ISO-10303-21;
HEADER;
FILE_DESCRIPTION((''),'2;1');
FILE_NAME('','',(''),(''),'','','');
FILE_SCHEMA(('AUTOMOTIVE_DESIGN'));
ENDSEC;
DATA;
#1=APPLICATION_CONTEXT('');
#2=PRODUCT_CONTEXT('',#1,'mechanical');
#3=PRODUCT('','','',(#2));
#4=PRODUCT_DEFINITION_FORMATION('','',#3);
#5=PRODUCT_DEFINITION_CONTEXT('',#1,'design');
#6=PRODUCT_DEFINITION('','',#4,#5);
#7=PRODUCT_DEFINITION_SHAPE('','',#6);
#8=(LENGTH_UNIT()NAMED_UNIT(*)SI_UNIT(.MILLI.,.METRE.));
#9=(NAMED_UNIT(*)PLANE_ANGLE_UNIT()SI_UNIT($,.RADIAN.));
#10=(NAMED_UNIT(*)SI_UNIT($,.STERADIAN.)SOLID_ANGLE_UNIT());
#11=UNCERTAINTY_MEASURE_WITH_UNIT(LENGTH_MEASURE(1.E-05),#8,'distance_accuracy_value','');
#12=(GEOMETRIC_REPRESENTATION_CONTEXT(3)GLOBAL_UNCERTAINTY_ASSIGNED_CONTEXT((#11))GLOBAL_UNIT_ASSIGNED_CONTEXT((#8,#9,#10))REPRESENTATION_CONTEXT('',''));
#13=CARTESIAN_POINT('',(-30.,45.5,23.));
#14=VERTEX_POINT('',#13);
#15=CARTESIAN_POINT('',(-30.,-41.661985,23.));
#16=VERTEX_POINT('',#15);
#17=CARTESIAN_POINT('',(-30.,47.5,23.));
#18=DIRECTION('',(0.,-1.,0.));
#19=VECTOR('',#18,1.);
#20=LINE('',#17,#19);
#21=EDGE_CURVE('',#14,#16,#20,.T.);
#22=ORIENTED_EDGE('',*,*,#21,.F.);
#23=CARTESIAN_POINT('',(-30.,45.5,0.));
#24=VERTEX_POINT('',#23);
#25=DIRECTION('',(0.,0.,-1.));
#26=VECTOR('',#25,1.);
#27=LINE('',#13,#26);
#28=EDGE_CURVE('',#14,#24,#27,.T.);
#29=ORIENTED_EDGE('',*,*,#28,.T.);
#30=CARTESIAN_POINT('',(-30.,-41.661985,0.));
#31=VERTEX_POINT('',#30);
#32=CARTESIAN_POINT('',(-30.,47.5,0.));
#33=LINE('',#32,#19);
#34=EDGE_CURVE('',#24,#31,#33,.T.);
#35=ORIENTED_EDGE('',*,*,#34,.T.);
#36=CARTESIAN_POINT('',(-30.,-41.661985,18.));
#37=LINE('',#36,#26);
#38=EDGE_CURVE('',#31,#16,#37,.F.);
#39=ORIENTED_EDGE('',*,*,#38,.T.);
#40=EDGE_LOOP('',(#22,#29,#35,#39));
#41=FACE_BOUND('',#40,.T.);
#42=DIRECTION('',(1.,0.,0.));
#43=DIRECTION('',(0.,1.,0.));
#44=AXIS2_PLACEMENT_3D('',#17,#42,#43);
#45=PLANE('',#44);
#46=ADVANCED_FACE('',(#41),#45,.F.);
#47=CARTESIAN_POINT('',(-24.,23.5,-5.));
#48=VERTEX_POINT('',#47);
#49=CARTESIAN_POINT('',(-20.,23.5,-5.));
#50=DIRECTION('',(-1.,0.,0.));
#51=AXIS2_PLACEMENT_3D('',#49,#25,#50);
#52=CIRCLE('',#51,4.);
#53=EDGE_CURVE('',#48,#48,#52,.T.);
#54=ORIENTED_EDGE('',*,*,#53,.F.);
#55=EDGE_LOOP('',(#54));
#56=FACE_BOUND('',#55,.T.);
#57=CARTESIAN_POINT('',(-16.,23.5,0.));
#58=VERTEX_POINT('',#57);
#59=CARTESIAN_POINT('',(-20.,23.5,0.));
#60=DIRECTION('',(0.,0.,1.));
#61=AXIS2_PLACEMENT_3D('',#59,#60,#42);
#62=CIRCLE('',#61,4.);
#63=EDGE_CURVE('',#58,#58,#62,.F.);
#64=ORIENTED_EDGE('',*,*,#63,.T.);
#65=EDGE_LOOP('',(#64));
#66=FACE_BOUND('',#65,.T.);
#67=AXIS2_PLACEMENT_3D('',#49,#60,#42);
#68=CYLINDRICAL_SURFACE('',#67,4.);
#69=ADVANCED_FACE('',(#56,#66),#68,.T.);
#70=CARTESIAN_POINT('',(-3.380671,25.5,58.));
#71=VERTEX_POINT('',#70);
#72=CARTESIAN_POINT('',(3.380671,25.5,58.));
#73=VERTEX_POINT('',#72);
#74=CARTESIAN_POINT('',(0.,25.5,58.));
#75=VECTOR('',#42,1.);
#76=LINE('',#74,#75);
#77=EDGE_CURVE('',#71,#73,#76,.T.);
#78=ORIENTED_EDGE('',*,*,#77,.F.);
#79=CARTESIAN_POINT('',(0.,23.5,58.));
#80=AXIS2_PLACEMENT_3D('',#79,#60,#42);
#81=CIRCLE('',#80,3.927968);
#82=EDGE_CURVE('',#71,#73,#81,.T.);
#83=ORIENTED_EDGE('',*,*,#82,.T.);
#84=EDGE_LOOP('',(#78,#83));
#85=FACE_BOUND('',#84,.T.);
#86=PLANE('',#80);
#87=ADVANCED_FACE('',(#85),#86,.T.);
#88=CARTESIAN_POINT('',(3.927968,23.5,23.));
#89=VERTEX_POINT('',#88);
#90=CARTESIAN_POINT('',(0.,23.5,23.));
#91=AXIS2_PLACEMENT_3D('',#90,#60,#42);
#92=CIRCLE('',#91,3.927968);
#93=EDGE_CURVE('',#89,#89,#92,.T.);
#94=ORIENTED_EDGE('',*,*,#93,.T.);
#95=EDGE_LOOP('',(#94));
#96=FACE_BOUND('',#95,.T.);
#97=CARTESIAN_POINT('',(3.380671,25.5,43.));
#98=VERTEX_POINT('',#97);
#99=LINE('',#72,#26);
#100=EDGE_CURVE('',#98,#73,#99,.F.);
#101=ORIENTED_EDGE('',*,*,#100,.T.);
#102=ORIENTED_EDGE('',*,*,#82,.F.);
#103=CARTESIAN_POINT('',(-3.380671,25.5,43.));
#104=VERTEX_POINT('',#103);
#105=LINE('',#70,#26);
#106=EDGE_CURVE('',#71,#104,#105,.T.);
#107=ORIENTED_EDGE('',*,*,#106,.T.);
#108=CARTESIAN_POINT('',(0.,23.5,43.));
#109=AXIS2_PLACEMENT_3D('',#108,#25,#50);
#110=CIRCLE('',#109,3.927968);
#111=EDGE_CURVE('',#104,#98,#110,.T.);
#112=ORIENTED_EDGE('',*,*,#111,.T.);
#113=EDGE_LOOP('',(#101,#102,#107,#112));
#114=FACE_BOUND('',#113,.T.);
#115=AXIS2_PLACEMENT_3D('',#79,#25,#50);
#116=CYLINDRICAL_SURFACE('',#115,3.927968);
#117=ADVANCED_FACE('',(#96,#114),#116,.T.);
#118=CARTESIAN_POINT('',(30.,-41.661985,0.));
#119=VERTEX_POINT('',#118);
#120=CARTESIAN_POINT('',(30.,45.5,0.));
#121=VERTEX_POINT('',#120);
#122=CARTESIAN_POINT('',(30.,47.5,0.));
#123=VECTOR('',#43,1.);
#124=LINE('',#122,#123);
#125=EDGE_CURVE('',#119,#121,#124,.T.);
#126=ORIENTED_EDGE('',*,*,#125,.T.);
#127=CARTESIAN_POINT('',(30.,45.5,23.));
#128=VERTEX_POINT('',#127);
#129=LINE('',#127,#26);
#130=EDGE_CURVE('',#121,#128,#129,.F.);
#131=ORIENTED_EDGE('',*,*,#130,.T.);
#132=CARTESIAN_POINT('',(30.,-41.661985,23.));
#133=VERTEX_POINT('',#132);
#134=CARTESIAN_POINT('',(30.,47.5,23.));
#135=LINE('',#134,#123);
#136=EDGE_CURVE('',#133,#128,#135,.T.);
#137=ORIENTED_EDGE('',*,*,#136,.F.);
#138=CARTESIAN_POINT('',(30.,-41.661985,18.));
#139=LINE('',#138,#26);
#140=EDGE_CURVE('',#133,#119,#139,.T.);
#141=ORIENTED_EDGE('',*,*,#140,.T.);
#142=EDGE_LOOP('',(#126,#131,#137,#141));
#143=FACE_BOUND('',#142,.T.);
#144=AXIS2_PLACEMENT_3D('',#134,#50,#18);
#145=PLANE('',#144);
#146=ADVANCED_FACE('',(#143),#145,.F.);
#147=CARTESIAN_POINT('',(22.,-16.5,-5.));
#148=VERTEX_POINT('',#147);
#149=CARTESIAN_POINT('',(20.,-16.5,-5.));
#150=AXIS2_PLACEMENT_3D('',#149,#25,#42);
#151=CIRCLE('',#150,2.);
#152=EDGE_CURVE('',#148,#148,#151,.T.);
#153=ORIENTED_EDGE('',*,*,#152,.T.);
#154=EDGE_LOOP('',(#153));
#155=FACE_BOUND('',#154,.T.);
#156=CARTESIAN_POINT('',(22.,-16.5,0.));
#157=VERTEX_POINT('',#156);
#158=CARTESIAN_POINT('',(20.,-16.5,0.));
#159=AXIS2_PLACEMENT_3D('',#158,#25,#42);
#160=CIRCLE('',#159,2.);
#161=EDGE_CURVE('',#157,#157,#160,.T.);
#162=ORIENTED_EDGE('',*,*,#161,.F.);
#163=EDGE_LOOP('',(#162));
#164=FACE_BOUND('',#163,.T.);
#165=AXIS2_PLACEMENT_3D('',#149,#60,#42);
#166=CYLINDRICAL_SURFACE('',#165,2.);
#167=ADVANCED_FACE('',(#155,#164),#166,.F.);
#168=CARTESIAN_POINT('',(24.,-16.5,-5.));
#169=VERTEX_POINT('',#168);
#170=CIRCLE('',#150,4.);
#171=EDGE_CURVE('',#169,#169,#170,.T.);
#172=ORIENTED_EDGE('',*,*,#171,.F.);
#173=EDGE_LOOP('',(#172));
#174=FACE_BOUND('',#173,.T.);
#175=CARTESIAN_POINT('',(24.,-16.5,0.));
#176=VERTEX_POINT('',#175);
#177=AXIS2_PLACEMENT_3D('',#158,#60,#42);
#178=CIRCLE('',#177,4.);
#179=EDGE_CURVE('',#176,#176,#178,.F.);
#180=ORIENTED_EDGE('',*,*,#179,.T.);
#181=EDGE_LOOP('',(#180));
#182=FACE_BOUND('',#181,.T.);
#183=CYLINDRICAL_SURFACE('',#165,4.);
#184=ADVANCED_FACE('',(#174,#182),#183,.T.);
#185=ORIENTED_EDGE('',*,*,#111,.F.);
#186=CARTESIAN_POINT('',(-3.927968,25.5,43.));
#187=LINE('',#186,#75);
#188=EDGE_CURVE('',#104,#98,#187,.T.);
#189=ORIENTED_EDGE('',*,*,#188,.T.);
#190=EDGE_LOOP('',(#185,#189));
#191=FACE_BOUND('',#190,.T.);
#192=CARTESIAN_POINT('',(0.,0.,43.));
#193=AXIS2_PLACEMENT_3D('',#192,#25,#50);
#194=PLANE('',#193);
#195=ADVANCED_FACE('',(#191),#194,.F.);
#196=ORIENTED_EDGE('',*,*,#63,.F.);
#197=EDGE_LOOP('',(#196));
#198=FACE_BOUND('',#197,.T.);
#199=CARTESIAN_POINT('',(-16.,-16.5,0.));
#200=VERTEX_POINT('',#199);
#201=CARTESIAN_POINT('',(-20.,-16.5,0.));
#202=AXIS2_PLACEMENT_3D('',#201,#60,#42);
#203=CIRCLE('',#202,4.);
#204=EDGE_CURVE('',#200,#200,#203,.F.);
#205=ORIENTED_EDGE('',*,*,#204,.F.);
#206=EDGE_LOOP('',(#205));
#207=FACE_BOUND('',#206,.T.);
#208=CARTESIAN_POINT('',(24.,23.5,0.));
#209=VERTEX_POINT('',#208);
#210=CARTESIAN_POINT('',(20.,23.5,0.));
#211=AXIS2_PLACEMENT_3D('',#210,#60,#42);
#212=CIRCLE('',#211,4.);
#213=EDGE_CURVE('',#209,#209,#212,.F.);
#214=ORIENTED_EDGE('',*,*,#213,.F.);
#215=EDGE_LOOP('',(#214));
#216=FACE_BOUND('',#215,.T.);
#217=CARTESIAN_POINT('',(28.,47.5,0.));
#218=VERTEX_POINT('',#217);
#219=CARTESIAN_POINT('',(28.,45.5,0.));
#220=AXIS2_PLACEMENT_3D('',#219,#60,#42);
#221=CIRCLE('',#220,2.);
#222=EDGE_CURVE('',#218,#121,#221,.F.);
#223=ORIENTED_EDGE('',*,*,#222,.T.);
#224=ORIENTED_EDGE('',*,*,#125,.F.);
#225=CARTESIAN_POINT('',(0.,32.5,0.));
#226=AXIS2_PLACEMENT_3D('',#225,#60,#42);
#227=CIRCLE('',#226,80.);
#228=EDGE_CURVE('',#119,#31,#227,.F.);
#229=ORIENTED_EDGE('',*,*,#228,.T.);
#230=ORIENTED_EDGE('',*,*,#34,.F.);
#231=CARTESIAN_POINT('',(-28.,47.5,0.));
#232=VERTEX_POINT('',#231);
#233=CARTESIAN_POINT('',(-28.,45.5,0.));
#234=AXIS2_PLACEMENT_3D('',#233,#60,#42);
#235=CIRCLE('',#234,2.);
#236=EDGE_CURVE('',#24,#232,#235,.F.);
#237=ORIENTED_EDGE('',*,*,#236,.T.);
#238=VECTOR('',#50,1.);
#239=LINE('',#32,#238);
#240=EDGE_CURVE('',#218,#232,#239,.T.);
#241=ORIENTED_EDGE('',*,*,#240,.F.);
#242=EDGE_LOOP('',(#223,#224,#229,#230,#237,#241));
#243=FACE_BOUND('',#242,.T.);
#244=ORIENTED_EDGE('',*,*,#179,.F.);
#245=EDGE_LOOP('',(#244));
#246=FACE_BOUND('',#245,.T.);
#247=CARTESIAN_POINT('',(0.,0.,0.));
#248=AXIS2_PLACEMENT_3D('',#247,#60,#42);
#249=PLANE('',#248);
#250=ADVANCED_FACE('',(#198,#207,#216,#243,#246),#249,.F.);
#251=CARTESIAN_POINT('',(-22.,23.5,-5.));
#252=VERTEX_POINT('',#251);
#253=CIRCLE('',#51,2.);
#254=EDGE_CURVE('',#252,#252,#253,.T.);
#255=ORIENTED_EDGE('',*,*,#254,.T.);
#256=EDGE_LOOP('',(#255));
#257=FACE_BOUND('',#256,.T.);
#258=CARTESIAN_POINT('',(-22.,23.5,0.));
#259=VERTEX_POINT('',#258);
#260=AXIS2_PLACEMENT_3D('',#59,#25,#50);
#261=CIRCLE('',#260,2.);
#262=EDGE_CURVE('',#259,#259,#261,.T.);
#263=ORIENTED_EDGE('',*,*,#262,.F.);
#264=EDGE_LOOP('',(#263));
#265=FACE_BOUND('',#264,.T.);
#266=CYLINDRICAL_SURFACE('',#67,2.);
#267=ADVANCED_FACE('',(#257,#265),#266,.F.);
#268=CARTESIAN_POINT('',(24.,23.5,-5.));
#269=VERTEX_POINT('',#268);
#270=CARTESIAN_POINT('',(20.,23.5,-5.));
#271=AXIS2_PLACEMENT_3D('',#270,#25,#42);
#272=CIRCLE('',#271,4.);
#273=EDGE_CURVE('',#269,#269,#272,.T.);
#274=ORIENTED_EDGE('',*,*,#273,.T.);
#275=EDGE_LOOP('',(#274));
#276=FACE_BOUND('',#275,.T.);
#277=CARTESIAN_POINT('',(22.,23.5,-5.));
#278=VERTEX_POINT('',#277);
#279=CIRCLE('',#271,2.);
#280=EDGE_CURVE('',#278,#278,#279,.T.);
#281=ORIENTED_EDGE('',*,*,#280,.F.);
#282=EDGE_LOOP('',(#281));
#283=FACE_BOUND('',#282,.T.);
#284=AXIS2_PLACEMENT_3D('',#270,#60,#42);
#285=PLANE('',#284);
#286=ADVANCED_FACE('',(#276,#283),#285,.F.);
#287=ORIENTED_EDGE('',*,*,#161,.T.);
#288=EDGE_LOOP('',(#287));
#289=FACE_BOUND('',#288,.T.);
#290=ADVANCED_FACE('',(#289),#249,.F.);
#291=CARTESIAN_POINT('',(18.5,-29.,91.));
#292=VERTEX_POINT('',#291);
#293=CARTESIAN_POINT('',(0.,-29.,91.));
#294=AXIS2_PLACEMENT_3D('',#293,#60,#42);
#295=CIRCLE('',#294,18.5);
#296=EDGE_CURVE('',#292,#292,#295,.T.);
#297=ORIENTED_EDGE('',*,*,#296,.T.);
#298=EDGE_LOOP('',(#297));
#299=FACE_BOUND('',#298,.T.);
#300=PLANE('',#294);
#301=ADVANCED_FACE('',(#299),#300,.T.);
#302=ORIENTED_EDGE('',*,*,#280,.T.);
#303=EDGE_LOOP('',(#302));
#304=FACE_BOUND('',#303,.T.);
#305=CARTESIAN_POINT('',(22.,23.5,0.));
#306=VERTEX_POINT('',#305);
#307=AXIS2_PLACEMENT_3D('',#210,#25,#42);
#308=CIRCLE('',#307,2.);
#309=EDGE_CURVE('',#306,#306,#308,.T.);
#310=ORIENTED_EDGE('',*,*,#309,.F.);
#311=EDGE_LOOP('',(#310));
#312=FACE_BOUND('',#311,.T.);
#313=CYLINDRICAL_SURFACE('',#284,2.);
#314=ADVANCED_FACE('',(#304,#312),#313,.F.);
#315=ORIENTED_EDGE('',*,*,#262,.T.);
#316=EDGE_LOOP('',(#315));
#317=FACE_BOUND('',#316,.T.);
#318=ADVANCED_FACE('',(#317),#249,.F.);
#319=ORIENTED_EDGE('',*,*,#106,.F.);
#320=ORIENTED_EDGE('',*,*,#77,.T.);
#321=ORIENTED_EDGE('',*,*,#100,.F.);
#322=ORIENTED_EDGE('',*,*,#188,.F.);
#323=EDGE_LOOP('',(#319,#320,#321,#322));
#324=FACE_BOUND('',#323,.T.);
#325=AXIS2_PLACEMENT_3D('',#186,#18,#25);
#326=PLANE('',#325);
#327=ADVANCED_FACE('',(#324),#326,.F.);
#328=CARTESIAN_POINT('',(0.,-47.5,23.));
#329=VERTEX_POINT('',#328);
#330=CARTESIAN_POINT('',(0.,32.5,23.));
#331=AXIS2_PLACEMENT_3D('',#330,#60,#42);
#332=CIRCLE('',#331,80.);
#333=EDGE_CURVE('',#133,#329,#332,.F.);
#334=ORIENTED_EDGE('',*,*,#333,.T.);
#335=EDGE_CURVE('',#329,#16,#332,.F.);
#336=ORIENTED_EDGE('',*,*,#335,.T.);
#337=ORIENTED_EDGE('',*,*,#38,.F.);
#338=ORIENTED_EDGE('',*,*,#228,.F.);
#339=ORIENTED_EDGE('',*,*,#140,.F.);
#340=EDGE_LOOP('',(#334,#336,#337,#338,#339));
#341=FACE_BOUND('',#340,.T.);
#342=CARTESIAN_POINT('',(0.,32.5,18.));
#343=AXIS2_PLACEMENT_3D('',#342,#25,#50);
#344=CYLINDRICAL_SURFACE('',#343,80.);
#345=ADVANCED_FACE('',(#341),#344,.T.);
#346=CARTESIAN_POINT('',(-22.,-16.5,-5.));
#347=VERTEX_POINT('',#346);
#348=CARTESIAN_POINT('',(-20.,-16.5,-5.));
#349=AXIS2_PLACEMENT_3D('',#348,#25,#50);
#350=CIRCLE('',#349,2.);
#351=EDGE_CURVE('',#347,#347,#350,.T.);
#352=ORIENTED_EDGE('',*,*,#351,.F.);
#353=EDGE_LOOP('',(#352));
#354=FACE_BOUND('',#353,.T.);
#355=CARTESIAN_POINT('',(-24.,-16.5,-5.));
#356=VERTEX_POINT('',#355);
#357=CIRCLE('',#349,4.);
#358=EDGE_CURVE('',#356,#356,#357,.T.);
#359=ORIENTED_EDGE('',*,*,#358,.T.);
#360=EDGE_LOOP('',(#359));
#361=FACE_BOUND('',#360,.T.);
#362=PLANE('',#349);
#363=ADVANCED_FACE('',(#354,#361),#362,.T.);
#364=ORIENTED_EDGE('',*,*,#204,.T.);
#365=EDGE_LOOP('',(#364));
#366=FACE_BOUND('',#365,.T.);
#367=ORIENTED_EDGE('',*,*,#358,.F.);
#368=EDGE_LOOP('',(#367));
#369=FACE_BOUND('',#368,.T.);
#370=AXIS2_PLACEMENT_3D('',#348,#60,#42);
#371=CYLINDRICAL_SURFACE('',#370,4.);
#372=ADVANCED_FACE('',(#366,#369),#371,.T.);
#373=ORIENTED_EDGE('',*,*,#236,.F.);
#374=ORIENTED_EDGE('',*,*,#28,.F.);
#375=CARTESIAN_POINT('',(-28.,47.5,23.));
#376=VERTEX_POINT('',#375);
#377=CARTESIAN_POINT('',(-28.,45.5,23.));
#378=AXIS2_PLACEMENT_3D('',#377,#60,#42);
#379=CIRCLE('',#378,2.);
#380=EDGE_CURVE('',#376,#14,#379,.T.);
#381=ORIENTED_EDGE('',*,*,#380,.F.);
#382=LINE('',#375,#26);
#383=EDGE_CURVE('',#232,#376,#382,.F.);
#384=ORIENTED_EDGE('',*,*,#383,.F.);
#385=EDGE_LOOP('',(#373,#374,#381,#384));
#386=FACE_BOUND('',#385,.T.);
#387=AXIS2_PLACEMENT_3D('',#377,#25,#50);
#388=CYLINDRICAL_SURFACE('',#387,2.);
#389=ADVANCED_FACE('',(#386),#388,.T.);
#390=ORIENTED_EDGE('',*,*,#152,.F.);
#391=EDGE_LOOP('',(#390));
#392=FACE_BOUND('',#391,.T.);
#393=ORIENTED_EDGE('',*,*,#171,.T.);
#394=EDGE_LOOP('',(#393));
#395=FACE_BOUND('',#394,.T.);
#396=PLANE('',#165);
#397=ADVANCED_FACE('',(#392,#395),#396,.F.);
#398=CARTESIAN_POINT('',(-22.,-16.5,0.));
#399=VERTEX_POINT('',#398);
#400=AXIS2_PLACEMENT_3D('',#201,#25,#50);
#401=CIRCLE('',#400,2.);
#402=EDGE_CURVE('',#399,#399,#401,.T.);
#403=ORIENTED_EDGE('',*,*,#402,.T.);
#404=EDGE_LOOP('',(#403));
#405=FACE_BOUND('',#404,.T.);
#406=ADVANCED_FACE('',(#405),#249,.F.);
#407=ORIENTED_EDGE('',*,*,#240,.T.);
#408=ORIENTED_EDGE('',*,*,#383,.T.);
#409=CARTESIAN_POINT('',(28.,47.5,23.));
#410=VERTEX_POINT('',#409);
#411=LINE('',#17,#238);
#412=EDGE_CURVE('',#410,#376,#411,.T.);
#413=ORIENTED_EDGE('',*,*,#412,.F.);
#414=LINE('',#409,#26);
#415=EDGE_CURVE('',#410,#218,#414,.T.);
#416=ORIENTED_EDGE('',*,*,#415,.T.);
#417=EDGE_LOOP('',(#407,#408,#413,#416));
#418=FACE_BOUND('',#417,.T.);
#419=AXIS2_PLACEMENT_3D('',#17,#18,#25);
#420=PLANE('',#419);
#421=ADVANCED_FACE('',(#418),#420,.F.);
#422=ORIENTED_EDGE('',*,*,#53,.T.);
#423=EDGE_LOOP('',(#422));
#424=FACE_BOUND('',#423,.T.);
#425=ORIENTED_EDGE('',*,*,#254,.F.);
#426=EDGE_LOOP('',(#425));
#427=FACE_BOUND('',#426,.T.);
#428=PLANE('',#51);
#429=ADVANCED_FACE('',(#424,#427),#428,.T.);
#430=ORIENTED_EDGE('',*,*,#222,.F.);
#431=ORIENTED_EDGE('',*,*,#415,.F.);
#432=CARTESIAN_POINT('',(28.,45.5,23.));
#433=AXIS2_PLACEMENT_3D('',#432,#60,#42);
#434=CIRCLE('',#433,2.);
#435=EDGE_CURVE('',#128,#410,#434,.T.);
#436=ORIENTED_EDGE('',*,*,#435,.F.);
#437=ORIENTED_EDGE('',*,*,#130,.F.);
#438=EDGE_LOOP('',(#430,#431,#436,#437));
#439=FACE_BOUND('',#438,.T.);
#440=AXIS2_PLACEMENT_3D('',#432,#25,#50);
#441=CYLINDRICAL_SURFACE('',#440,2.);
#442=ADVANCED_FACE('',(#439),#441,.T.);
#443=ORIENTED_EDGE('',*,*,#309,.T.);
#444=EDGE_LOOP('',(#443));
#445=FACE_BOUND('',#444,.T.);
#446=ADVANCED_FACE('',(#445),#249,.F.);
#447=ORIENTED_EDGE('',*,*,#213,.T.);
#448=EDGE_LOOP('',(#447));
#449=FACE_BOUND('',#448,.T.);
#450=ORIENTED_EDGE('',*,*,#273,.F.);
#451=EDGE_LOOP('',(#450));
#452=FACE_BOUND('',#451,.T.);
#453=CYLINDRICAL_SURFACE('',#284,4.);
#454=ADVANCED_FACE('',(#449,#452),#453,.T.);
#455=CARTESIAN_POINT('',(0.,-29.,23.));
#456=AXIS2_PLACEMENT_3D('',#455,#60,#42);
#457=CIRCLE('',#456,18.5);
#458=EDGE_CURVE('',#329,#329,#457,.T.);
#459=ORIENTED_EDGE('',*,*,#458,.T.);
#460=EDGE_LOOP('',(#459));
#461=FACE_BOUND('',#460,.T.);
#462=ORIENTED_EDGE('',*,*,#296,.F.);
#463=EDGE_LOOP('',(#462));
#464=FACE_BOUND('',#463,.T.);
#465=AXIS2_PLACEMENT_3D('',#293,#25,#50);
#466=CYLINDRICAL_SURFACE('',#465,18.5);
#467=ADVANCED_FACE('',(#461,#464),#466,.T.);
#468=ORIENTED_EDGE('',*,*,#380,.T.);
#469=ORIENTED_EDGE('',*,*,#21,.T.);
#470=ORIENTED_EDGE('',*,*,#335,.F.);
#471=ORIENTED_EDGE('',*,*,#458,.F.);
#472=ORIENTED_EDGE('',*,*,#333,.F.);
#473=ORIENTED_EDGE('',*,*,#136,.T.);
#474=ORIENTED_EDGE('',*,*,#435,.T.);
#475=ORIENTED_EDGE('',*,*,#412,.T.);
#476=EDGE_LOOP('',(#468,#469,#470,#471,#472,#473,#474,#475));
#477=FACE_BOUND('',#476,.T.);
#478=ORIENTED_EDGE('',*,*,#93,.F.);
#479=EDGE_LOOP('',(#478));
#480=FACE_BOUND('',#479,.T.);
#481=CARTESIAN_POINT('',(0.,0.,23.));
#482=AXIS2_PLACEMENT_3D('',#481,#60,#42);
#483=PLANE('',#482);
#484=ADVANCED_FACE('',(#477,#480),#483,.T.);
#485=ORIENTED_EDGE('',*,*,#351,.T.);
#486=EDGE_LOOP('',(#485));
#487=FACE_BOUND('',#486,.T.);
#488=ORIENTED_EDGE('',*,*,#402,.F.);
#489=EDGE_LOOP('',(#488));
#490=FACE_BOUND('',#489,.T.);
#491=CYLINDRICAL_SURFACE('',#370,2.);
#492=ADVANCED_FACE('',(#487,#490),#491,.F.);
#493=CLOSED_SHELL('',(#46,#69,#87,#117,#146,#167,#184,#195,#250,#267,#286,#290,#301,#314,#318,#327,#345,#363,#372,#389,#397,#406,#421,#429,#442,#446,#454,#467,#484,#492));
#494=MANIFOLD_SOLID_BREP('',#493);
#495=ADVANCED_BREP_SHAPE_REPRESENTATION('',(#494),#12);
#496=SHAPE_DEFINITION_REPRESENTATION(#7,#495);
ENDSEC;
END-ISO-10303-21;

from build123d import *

# Parameters (mm, degrees)
SKETCH_3_W          = 60
SKETCH_3_H          = 95
EXTRUDE_1_DEPTH     = 23
SKETCH_4_R          = 18.5
EXTRUDE_2_DEPTH     = 68
SKETCH_5_R          = 3.927968391
EXTRUDE_3_DEPTH     = 35
CUT_EXTRUDE_4_DEPTH = 15
SKETCH_7_R          = 4
SKETCH_7_R_2        = 2
EXTRUDE_5_DEPTH     = 5
FILLET_1_R          = 2
FILLET_2_R          = 2
CUT_EXTRUDE_5_DEPTH = 18
CUT_EXTRUDE_6_DEPTH = 50


with BuildPart() as part:
    # 草图3 → 凸台-拉伸1 (new body)
    with BuildSketch(Plane.XY):
        Rectangle(SKETCH_3_W, SKETCH_3_H)
    extrude(amount=EXTRUDE_1_DEPTH)

    # 草图4 → 凸台-拉伸2 (add)
    with BuildSketch(Plane.XY.offset(23)):
        with Locations((0, -29)):
            Circle(SKETCH_4_R)
    extrude(amount=EXTRUDE_2_DEPTH)

    # 草图5 → 凸台-拉伸3 (add)
    with BuildSketch(Plane.XY.offset(23)):
        with Locations((0, 23.5)):
            Circle(SKETCH_5_R)
    extrude(amount=EXTRUDE_3_DEPTH)

    # 草图6 → 切除-拉伸4 (cut)
    with BuildSketch(Plane.XY.offset(58)):
        Polygon((-3.927968391, 25.5), (3.927968391, 25.5), (-0.421673312, 30.850225799), align=None)
    extrude(amount=-CUT_EXTRUDE_4_DEPTH, mode=Mode.SUBTRACT)

    # 草图7 → 凸台-拉伸5 (add)
    # profile 1 of 4: a face of its own
    with BuildSketch(Plane(origin=(0, 0, 0), x_dir=(-1, 0, 0), z_dir=(0, 0, -1))):
        with Locations((20, 23.5)):
            Circle(SKETCH_7_R)
        with Locations((20, 23.5)):
            Circle(SKETCH_7_R_2, mode=Mode.SUBTRACT)
    # profile 2 of 4: a face of its own
    with BuildSketch(Plane(origin=(0, 0, 0), x_dir=(-1, 0, 0), z_dir=(0, 0, -1))):
        with Locations((-20, 23.5)):
            Circle(SKETCH_7_R)
        with Locations((-20, 23.5)):
            Circle(SKETCH_7_R_2, mode=Mode.SUBTRACT)
    # profile 3 of 4: a face of its own
    with BuildSketch(Plane(origin=(0, 0, 0), x_dir=(-1, 0, 0), z_dir=(0, 0, -1))):
        with Locations((20, -16.5)):
            Circle(SKETCH_7_R)
        with Locations((20, -16.5)):
            Circle(SKETCH_7_R_2, mode=Mode.SUBTRACT)
    # profile 4 of 4: a face of its own
    with BuildSketch(Plane(origin=(0, 0, 0), x_dir=(-1, 0, 0), z_dir=(0, 0, -1))):
        with Locations((-20, -16.5)):
            Circle(SKETCH_7_R)
        with Locations((-20, -16.5)):
            Circle(SKETCH_7_R_2, mode=Mode.SUBTRACT)
    extrude(amount=EXTRUDE_5_DEPTH)

    # 圆角1
    fillet_1_edges = [part.edges().sort_by_distance(p)[0] for p in [
        (-30, 47.5, 11.5),
    ]]
    fillet(fillet_1_edges, radius=FILLET_1_R)

    # 圆角2
    fillet_2_edges = [part.edges().sort_by_distance(p)[0] for p in [
        (30, 47.5, 11.5),
    ]]
    fillet(fillet_2_edges, radius=FILLET_2_R)

    # 草图8 → 切除-拉伸5 (cut)
    with BuildSketch(Plane(origin=(0, 0, 0), x_dir=(-1, 0, 0), z_dir=(0, 0, -1))):
        with BuildLine():
            Line((-58.103479581, -22.49077796), (-70.696713814, -61.415320137))
            Line((-70.696713814, -61.415320137), (7.471875411, -106.902176459))
            Line((7.471875411, -106.902176459), (82.773645961, -42.112074387))
            Line((82.773645961, -42.112074387), (69.369579427, -7.347979247))
            ThreePointArc((69.369579427, -7.347979247), (9.437019638, -46.941441706), (-58.103479581, -22.49077796))
        make_face()
    extrude(amount=-CUT_EXTRUDE_5_DEPTH, mode=Mode.SUBTRACT)

    # 草图8<2> → 切除-拉伸6 (cut)
    with BuildSketch(Plane(origin=(0, 0, 0), x_dir=(-1, 0, 0), z_dir=(0, 0, -1))):
        with BuildLine():
            Line((-58.103479581, -22.49077796), (-70.696713814, -61.415320137))
            Line((-70.696713814, -61.415320137), (7.471875411, -106.902176459))
            Line((7.471875411, -106.902176459), (82.773645961, -42.112074387))
            Line((82.773645961, -42.112074387), (69.369579427, -7.347979247))
            ThreePointArc((69.369579427, -7.347979247), (9.437019638, -46.941441706), (-58.103479581, -22.49077796))
        make_face()
    extrude(amount=-CUT_EXTRUDE_6_DEPTH, mode=Mode.SUBTRACT)


solid = part.part
